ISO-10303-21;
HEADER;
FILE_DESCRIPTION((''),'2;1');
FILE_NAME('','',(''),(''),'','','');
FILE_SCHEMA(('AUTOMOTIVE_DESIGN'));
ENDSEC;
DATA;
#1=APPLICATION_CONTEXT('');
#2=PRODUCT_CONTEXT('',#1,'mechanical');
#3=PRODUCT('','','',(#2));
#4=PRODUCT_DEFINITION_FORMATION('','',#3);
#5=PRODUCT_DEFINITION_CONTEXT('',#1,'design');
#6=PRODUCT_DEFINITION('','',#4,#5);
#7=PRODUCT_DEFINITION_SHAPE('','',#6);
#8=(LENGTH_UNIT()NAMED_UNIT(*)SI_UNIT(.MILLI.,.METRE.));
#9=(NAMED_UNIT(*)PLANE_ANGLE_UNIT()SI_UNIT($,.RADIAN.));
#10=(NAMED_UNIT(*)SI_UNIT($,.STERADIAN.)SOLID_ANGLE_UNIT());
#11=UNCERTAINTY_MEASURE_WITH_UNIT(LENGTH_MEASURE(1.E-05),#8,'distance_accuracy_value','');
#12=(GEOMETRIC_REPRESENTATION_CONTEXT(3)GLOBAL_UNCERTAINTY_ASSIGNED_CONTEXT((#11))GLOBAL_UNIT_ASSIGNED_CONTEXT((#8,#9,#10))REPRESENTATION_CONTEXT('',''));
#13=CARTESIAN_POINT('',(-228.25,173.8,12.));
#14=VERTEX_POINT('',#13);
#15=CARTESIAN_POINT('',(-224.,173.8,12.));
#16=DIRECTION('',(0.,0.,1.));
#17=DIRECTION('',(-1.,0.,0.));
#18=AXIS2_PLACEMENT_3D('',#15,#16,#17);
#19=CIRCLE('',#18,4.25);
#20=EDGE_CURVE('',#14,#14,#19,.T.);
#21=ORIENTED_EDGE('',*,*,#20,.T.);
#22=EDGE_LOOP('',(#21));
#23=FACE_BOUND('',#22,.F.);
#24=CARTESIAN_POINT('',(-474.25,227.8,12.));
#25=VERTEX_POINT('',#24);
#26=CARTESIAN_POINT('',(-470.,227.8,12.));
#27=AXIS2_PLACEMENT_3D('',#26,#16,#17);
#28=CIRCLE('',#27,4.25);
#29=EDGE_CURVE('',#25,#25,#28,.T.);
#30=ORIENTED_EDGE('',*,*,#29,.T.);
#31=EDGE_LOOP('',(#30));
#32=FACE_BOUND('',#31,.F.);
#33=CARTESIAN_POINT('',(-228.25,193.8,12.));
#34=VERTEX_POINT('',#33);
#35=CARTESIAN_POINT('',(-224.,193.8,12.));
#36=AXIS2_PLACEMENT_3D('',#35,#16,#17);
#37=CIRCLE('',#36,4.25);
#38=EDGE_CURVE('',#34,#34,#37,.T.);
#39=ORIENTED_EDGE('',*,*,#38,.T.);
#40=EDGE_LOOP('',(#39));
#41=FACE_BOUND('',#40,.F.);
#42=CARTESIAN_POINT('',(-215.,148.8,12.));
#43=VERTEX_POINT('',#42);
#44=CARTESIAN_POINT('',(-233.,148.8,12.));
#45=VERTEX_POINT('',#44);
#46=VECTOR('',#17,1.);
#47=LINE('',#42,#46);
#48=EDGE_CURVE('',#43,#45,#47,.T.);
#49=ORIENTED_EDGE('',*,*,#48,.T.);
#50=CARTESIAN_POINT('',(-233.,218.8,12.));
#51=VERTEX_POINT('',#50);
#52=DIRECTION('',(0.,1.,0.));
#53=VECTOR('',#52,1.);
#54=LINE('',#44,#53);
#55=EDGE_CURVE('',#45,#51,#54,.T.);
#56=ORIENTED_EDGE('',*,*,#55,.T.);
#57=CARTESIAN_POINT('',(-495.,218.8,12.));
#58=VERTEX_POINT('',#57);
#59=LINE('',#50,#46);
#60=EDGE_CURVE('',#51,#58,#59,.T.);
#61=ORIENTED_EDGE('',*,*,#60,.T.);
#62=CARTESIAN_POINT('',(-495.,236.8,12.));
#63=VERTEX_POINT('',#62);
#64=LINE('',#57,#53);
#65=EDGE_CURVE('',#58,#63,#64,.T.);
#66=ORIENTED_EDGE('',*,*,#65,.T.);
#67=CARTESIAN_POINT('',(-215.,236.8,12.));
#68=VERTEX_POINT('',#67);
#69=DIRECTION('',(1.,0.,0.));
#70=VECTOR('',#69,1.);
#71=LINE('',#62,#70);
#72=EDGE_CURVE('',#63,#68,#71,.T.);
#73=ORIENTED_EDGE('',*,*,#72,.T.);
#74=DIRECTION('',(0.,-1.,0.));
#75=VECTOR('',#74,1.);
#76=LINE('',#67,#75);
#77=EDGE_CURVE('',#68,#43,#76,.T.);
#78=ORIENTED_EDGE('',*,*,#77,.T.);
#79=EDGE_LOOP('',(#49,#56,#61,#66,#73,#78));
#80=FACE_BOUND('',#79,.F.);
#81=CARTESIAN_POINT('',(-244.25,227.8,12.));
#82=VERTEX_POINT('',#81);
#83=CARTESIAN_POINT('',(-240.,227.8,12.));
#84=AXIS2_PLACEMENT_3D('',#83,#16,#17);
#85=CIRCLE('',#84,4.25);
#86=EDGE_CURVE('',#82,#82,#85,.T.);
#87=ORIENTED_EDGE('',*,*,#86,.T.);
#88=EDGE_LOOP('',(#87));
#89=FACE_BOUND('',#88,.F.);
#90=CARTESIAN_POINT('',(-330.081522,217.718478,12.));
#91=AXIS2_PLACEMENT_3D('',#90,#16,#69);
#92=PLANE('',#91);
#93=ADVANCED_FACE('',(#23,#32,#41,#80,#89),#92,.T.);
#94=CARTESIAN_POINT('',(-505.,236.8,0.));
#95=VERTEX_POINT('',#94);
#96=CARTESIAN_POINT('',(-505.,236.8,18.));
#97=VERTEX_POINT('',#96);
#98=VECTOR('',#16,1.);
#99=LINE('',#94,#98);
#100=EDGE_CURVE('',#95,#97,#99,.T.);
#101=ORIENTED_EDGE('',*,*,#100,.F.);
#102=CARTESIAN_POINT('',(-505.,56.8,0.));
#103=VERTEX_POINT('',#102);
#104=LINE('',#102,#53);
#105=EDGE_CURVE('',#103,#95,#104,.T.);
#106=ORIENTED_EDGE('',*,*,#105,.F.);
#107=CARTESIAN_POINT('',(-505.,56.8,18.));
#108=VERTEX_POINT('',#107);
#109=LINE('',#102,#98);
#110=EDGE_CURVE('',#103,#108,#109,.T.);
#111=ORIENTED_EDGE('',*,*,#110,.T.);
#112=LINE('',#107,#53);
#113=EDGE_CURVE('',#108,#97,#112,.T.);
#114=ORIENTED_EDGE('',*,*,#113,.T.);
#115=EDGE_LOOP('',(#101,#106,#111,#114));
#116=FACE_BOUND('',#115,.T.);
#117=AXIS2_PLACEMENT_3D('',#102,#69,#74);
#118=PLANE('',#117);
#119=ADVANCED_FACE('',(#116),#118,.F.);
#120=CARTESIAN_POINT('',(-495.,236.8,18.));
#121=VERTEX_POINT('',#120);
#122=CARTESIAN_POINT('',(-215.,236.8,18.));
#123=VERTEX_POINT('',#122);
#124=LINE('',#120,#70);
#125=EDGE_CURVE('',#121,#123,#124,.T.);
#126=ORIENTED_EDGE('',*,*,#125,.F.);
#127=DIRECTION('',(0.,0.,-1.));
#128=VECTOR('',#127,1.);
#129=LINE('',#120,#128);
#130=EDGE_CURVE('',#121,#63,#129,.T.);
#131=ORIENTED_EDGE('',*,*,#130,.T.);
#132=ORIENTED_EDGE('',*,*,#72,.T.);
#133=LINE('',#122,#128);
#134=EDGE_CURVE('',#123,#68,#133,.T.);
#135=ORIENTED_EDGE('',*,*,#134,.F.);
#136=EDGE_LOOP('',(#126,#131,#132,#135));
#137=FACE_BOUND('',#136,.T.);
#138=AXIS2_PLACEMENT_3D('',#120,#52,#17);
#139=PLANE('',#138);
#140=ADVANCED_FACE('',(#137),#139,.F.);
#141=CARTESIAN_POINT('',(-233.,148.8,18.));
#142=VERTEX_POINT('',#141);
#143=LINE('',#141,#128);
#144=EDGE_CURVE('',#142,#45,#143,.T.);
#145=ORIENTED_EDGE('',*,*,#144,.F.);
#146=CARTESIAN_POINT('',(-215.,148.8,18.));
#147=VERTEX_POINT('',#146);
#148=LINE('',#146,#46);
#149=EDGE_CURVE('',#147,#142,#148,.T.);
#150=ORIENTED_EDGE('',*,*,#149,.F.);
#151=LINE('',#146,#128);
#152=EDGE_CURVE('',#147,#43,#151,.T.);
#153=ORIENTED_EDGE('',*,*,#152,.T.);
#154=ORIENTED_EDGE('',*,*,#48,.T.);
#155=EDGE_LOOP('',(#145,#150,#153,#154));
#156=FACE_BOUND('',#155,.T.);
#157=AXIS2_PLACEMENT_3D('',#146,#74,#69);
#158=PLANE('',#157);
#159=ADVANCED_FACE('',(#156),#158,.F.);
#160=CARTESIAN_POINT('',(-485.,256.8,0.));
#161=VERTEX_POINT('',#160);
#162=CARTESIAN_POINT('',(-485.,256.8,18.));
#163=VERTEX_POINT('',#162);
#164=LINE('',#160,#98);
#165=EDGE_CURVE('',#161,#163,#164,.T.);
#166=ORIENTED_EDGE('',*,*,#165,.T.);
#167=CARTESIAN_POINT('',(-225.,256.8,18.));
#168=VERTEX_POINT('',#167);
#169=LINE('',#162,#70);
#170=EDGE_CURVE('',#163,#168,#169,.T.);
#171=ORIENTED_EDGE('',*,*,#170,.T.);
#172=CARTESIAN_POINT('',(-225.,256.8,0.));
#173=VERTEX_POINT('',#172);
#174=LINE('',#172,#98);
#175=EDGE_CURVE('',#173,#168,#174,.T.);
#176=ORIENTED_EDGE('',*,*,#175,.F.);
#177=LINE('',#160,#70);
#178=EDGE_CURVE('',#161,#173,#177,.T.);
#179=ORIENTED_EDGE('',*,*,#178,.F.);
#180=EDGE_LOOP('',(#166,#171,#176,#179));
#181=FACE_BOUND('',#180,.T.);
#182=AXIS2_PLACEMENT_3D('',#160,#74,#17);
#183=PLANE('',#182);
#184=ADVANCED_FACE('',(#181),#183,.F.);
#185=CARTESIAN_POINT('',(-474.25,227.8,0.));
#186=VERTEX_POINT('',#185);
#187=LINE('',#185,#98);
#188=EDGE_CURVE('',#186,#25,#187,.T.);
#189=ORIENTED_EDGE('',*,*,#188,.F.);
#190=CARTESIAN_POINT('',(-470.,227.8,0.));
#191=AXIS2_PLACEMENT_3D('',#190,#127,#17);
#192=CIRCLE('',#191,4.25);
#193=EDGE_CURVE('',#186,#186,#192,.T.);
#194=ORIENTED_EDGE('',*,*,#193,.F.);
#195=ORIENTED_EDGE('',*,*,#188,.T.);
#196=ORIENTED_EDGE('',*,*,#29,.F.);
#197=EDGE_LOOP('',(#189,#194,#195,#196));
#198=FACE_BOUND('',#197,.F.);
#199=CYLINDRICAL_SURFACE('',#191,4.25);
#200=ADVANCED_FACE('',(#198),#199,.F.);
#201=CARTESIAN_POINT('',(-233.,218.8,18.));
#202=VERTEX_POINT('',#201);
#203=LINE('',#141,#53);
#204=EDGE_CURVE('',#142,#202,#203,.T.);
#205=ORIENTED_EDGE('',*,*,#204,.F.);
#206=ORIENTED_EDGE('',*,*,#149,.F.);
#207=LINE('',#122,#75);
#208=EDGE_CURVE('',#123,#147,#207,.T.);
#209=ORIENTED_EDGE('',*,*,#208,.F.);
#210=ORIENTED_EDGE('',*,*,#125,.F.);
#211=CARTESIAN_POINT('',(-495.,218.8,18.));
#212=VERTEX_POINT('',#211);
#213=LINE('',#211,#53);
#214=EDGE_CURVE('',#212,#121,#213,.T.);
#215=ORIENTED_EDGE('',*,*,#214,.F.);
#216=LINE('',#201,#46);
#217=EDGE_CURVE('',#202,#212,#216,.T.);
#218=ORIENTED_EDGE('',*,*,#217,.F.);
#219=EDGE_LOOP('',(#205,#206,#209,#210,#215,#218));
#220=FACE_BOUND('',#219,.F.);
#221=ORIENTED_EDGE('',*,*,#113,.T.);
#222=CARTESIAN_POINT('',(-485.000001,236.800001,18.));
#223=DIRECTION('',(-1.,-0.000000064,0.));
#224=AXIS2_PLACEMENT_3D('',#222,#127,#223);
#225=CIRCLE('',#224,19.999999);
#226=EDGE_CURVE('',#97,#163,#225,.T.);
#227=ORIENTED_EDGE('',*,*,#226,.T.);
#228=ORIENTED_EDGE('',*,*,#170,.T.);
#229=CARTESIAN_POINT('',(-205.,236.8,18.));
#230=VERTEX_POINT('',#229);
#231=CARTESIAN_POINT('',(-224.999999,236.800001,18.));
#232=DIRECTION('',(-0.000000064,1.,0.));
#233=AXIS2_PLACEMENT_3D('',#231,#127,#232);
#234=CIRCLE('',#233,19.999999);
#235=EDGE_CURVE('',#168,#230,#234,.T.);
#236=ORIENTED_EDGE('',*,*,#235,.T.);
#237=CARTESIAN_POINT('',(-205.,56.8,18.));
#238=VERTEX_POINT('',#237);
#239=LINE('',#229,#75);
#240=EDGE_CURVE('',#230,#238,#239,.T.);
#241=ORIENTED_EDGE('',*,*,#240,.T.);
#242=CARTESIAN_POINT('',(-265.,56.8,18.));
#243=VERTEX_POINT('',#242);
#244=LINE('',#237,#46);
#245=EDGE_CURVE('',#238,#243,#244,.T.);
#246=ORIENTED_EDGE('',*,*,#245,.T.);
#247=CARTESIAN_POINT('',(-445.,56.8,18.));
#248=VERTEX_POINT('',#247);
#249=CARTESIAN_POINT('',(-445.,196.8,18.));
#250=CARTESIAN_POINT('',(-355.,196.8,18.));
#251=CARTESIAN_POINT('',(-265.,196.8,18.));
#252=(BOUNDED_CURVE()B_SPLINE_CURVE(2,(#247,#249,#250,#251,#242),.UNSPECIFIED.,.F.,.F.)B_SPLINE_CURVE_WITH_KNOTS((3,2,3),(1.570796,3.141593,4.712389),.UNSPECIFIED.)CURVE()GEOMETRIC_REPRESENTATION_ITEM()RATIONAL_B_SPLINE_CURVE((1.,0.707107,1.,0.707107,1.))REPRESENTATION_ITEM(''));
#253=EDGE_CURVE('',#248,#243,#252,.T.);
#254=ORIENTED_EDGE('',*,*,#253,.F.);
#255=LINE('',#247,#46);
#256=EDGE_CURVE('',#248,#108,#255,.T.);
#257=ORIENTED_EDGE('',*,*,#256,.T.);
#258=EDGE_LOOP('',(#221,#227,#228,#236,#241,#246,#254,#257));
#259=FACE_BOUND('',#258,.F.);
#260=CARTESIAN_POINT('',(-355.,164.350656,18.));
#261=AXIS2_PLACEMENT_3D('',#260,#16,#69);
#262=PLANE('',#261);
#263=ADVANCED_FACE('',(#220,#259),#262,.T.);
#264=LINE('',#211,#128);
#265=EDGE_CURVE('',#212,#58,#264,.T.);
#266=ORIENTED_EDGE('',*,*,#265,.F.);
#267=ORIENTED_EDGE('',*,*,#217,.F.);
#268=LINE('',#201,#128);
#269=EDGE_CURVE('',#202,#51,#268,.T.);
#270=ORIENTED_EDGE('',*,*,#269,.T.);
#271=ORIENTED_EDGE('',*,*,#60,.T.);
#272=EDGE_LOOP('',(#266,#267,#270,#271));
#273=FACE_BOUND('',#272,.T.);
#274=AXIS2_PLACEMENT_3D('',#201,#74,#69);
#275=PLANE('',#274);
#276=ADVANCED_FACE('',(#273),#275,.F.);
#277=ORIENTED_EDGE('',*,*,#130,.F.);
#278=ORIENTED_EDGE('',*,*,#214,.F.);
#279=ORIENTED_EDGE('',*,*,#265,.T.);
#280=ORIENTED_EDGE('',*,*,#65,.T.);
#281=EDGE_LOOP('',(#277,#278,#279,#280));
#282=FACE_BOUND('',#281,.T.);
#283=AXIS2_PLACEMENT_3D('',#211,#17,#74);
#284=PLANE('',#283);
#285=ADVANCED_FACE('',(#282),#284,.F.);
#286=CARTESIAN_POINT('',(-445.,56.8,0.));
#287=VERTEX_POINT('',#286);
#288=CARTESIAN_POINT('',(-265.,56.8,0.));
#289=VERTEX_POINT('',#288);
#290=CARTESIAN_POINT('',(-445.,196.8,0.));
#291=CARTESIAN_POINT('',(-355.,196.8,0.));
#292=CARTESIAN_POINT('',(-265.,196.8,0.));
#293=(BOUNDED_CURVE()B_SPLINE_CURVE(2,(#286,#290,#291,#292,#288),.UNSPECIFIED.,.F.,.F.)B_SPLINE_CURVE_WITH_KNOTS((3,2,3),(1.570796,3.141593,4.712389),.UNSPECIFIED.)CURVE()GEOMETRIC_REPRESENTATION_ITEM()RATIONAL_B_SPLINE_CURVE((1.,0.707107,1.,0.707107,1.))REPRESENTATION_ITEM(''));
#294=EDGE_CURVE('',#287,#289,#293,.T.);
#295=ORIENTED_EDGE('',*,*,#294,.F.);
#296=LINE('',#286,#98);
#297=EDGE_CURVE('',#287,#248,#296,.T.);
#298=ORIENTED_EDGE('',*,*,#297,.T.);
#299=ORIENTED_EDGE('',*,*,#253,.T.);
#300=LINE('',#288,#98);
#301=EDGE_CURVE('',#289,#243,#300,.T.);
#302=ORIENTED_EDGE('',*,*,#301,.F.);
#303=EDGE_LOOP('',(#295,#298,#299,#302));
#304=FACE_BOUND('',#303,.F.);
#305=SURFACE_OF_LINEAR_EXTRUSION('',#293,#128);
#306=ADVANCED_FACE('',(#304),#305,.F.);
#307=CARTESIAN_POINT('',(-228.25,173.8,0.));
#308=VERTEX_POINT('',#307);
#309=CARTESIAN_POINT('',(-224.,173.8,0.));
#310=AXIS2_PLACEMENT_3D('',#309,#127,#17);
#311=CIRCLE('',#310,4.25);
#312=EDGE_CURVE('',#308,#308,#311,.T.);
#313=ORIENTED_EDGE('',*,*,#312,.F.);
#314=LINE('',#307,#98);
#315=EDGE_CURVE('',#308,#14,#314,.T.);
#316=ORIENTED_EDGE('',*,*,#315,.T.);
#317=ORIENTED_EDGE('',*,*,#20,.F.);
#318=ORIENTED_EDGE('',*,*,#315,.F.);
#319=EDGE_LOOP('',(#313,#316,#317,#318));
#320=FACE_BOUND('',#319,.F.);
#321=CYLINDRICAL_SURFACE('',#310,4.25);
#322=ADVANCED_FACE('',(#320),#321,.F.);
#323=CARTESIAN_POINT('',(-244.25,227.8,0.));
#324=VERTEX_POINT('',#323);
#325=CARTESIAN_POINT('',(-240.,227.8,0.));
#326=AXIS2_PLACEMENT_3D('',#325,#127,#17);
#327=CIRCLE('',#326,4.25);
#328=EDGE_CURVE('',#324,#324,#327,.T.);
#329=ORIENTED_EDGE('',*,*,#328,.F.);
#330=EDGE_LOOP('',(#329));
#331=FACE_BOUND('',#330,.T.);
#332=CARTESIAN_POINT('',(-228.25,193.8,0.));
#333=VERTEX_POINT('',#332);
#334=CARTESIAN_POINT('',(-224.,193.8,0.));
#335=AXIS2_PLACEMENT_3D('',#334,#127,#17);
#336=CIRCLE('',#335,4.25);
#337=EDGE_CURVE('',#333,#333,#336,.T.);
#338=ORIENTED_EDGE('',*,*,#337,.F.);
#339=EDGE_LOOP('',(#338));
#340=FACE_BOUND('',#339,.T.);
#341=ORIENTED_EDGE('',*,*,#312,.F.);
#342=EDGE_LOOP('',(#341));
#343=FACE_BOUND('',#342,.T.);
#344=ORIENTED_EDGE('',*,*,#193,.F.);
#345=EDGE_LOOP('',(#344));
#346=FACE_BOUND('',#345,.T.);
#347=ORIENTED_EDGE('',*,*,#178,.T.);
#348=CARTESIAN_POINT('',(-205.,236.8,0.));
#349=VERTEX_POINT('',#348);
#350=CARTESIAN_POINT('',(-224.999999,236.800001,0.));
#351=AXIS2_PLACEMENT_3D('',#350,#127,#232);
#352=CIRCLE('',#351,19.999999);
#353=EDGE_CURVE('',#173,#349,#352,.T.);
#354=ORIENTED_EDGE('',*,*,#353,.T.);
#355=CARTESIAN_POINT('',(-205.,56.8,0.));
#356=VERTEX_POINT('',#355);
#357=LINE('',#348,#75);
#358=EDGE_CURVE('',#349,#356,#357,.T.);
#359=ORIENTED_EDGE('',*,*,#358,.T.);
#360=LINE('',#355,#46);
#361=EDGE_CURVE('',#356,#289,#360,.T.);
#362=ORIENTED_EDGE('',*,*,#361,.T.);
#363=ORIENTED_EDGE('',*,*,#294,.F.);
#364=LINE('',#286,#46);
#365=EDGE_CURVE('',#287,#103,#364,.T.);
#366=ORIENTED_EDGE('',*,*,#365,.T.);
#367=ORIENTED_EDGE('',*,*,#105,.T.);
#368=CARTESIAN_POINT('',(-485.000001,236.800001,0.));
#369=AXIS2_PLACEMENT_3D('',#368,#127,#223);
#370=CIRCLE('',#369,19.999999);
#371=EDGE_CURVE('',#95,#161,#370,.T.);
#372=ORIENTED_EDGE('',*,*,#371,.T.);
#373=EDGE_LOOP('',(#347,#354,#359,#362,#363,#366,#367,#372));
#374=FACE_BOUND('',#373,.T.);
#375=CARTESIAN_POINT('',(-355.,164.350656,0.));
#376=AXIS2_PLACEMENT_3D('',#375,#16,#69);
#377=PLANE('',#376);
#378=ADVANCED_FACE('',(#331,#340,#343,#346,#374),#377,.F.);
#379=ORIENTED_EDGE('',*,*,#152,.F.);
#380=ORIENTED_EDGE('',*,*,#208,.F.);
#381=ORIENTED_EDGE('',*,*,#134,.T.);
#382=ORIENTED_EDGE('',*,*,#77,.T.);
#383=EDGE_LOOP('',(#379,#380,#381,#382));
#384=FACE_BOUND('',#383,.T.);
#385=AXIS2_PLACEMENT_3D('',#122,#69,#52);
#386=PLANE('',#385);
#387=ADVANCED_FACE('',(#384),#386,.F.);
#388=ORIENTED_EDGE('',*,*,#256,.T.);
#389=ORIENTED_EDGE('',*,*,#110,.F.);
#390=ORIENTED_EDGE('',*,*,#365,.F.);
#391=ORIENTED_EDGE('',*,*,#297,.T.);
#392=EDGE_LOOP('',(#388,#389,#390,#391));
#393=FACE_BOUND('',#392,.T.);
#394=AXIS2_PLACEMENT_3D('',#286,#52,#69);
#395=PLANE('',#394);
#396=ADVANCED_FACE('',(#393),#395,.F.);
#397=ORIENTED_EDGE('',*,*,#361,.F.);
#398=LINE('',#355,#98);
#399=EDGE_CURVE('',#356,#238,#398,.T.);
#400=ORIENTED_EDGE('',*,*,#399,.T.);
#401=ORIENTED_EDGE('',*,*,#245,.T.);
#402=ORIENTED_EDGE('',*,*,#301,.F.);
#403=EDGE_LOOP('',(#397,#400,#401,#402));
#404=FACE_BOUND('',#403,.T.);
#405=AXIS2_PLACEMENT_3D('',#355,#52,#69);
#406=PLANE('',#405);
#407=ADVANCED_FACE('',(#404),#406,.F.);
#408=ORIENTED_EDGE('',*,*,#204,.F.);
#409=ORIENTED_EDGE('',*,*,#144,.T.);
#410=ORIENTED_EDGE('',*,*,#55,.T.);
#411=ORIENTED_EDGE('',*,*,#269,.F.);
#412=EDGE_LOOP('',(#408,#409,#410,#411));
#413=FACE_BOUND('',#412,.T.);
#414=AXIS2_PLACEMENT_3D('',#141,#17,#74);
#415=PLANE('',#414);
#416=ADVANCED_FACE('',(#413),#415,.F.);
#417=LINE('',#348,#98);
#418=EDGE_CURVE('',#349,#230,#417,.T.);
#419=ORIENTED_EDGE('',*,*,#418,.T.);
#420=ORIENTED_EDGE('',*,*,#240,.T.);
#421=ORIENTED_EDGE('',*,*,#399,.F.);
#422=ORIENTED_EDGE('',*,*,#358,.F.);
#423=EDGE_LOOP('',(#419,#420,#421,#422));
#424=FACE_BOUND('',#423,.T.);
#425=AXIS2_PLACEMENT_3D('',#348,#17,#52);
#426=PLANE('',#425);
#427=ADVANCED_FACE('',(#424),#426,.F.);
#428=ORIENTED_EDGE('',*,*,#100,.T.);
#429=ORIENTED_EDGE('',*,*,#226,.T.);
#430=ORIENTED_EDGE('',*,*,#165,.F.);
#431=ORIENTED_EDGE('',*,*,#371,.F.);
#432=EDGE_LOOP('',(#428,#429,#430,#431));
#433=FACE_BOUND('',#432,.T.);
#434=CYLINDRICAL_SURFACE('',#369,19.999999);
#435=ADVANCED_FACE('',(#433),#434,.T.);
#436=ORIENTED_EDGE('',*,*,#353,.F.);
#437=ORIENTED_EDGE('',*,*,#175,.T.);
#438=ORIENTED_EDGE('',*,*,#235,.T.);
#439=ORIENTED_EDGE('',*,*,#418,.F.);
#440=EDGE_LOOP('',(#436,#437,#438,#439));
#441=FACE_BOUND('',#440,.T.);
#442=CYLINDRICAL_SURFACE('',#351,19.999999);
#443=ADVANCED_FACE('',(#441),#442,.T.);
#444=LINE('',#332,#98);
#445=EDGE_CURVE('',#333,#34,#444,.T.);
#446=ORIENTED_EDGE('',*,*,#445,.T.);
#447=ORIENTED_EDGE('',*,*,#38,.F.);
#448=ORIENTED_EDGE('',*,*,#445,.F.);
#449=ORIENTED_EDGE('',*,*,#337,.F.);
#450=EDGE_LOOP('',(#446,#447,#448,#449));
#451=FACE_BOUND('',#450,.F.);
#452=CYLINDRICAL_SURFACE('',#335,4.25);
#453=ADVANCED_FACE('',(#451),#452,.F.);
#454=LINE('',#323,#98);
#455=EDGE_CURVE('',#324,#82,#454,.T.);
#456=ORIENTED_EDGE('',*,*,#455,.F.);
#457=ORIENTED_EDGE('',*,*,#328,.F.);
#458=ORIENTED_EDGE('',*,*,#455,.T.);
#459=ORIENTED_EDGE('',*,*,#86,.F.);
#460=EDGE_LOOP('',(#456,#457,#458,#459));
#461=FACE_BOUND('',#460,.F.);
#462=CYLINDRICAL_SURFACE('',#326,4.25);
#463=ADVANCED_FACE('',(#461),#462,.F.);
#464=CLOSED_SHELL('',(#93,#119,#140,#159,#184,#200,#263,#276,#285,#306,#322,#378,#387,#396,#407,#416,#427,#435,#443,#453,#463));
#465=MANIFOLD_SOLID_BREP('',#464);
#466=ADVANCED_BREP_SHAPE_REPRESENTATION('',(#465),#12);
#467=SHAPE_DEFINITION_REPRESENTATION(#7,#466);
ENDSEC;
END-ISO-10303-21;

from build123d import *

# Parameters (mm, degrees)
PAD_DEPTH             = 18
POCKET_DEPTH          = 6
SKETCH002_R           = 4.25
POCKET001_DEPTH       = 0.001
POCKET001_DEPTH_BACK  = 18.001
CLONE_PITCH_ANGLE     = -90
CLONE_PLACEMENT_ANGLE = -90


with BuildPart() as body:
    # Sketch → Pad (new body)
    with BuildSketch(Plane.YZ):
        with BuildLine():
            ThreePointArc((20, 200), (5.857864, 194.142136), (0, 180))
            Line((0, 180), (0, 0))
            Line((0, 0), (60, 0))
            add(Edge.make_bspline(
                [(240, 0), (240, 140), (150, 140), (60, 140), (60, 0)],
                knots=[1.570796, 1.570796, 1.570796, 3.141593, 3.141593, 4.712389, 4.712389, 4.712389], degree=2, weights=[1, 0.707107, 1, 0.707107, 1]))
            Line((240, 0), (300, 0))
            Line((300, 0), (300, 180))
            ThreePointArc((300, 180), (294.142136, 194.142136), (280, 200))
            Line((280, 200), (225, 200))
            Line((225, 200), (75, 200))
            Line((75, 200), (20, 200))
        make_face()
    extrude(amount=PAD_DEPTH)

    # Sketch001 → Pocket (cut)
    with BuildSketch(Plane.YZ.offset(18)):
        Polygon((28, 92), (28, 162), (290, 162), (290, 180), (10, 180), (10, 92), align=None)
    extrude(amount=-POCKET_DEPTH, mode=Mode.SUBTRACT)

    # Sketch002 → Pocket001 (cut, two sides)
    with BuildSketch(Plane.YZ) as pocket001_sk:
        with Locations((19, 137)):
            Circle(SKETCH002_R)
        with Locations((19, 117)):
            Circle(SKETCH002_R)
        with Locations((35, 171)):
            Circle(SKETCH002_R)
        with Locations((265, 171)):
            Circle(SKETCH002_R)
    extrude(amount=-POCKET001_DEPTH, mode=Mode.SUBTRACT)
    extrude(pocket001_sk.sketch, amount=POCKET001_DEPTH_BACK, mode=Mode.SUBTRACT)


with BuildPart() as clone:
    # Part__Mirroring: instance of Body
    add(body.part.mirror(Plane(origin=(0, 0, 0), x_dir=(1, 0, 0), z_dir=(0, 1, 0))))


with BuildPart() as clone_1:
    # Clone pitch: moved
    add(clone.part.rotate(Axis((0, 0, 0), (0, 1, 0)), CLONE_PITCH_ANGLE))


with BuildPart() as clone_2:
    # Clone placement: moved
    add(clone_1.part.moved(Location((-205, 56.8, 0))).rotate(Axis((-205, 56.8, 0), (0, 0, 1)), CLONE_PLACEMENT_ANGLE))


solid = clone_2.part
